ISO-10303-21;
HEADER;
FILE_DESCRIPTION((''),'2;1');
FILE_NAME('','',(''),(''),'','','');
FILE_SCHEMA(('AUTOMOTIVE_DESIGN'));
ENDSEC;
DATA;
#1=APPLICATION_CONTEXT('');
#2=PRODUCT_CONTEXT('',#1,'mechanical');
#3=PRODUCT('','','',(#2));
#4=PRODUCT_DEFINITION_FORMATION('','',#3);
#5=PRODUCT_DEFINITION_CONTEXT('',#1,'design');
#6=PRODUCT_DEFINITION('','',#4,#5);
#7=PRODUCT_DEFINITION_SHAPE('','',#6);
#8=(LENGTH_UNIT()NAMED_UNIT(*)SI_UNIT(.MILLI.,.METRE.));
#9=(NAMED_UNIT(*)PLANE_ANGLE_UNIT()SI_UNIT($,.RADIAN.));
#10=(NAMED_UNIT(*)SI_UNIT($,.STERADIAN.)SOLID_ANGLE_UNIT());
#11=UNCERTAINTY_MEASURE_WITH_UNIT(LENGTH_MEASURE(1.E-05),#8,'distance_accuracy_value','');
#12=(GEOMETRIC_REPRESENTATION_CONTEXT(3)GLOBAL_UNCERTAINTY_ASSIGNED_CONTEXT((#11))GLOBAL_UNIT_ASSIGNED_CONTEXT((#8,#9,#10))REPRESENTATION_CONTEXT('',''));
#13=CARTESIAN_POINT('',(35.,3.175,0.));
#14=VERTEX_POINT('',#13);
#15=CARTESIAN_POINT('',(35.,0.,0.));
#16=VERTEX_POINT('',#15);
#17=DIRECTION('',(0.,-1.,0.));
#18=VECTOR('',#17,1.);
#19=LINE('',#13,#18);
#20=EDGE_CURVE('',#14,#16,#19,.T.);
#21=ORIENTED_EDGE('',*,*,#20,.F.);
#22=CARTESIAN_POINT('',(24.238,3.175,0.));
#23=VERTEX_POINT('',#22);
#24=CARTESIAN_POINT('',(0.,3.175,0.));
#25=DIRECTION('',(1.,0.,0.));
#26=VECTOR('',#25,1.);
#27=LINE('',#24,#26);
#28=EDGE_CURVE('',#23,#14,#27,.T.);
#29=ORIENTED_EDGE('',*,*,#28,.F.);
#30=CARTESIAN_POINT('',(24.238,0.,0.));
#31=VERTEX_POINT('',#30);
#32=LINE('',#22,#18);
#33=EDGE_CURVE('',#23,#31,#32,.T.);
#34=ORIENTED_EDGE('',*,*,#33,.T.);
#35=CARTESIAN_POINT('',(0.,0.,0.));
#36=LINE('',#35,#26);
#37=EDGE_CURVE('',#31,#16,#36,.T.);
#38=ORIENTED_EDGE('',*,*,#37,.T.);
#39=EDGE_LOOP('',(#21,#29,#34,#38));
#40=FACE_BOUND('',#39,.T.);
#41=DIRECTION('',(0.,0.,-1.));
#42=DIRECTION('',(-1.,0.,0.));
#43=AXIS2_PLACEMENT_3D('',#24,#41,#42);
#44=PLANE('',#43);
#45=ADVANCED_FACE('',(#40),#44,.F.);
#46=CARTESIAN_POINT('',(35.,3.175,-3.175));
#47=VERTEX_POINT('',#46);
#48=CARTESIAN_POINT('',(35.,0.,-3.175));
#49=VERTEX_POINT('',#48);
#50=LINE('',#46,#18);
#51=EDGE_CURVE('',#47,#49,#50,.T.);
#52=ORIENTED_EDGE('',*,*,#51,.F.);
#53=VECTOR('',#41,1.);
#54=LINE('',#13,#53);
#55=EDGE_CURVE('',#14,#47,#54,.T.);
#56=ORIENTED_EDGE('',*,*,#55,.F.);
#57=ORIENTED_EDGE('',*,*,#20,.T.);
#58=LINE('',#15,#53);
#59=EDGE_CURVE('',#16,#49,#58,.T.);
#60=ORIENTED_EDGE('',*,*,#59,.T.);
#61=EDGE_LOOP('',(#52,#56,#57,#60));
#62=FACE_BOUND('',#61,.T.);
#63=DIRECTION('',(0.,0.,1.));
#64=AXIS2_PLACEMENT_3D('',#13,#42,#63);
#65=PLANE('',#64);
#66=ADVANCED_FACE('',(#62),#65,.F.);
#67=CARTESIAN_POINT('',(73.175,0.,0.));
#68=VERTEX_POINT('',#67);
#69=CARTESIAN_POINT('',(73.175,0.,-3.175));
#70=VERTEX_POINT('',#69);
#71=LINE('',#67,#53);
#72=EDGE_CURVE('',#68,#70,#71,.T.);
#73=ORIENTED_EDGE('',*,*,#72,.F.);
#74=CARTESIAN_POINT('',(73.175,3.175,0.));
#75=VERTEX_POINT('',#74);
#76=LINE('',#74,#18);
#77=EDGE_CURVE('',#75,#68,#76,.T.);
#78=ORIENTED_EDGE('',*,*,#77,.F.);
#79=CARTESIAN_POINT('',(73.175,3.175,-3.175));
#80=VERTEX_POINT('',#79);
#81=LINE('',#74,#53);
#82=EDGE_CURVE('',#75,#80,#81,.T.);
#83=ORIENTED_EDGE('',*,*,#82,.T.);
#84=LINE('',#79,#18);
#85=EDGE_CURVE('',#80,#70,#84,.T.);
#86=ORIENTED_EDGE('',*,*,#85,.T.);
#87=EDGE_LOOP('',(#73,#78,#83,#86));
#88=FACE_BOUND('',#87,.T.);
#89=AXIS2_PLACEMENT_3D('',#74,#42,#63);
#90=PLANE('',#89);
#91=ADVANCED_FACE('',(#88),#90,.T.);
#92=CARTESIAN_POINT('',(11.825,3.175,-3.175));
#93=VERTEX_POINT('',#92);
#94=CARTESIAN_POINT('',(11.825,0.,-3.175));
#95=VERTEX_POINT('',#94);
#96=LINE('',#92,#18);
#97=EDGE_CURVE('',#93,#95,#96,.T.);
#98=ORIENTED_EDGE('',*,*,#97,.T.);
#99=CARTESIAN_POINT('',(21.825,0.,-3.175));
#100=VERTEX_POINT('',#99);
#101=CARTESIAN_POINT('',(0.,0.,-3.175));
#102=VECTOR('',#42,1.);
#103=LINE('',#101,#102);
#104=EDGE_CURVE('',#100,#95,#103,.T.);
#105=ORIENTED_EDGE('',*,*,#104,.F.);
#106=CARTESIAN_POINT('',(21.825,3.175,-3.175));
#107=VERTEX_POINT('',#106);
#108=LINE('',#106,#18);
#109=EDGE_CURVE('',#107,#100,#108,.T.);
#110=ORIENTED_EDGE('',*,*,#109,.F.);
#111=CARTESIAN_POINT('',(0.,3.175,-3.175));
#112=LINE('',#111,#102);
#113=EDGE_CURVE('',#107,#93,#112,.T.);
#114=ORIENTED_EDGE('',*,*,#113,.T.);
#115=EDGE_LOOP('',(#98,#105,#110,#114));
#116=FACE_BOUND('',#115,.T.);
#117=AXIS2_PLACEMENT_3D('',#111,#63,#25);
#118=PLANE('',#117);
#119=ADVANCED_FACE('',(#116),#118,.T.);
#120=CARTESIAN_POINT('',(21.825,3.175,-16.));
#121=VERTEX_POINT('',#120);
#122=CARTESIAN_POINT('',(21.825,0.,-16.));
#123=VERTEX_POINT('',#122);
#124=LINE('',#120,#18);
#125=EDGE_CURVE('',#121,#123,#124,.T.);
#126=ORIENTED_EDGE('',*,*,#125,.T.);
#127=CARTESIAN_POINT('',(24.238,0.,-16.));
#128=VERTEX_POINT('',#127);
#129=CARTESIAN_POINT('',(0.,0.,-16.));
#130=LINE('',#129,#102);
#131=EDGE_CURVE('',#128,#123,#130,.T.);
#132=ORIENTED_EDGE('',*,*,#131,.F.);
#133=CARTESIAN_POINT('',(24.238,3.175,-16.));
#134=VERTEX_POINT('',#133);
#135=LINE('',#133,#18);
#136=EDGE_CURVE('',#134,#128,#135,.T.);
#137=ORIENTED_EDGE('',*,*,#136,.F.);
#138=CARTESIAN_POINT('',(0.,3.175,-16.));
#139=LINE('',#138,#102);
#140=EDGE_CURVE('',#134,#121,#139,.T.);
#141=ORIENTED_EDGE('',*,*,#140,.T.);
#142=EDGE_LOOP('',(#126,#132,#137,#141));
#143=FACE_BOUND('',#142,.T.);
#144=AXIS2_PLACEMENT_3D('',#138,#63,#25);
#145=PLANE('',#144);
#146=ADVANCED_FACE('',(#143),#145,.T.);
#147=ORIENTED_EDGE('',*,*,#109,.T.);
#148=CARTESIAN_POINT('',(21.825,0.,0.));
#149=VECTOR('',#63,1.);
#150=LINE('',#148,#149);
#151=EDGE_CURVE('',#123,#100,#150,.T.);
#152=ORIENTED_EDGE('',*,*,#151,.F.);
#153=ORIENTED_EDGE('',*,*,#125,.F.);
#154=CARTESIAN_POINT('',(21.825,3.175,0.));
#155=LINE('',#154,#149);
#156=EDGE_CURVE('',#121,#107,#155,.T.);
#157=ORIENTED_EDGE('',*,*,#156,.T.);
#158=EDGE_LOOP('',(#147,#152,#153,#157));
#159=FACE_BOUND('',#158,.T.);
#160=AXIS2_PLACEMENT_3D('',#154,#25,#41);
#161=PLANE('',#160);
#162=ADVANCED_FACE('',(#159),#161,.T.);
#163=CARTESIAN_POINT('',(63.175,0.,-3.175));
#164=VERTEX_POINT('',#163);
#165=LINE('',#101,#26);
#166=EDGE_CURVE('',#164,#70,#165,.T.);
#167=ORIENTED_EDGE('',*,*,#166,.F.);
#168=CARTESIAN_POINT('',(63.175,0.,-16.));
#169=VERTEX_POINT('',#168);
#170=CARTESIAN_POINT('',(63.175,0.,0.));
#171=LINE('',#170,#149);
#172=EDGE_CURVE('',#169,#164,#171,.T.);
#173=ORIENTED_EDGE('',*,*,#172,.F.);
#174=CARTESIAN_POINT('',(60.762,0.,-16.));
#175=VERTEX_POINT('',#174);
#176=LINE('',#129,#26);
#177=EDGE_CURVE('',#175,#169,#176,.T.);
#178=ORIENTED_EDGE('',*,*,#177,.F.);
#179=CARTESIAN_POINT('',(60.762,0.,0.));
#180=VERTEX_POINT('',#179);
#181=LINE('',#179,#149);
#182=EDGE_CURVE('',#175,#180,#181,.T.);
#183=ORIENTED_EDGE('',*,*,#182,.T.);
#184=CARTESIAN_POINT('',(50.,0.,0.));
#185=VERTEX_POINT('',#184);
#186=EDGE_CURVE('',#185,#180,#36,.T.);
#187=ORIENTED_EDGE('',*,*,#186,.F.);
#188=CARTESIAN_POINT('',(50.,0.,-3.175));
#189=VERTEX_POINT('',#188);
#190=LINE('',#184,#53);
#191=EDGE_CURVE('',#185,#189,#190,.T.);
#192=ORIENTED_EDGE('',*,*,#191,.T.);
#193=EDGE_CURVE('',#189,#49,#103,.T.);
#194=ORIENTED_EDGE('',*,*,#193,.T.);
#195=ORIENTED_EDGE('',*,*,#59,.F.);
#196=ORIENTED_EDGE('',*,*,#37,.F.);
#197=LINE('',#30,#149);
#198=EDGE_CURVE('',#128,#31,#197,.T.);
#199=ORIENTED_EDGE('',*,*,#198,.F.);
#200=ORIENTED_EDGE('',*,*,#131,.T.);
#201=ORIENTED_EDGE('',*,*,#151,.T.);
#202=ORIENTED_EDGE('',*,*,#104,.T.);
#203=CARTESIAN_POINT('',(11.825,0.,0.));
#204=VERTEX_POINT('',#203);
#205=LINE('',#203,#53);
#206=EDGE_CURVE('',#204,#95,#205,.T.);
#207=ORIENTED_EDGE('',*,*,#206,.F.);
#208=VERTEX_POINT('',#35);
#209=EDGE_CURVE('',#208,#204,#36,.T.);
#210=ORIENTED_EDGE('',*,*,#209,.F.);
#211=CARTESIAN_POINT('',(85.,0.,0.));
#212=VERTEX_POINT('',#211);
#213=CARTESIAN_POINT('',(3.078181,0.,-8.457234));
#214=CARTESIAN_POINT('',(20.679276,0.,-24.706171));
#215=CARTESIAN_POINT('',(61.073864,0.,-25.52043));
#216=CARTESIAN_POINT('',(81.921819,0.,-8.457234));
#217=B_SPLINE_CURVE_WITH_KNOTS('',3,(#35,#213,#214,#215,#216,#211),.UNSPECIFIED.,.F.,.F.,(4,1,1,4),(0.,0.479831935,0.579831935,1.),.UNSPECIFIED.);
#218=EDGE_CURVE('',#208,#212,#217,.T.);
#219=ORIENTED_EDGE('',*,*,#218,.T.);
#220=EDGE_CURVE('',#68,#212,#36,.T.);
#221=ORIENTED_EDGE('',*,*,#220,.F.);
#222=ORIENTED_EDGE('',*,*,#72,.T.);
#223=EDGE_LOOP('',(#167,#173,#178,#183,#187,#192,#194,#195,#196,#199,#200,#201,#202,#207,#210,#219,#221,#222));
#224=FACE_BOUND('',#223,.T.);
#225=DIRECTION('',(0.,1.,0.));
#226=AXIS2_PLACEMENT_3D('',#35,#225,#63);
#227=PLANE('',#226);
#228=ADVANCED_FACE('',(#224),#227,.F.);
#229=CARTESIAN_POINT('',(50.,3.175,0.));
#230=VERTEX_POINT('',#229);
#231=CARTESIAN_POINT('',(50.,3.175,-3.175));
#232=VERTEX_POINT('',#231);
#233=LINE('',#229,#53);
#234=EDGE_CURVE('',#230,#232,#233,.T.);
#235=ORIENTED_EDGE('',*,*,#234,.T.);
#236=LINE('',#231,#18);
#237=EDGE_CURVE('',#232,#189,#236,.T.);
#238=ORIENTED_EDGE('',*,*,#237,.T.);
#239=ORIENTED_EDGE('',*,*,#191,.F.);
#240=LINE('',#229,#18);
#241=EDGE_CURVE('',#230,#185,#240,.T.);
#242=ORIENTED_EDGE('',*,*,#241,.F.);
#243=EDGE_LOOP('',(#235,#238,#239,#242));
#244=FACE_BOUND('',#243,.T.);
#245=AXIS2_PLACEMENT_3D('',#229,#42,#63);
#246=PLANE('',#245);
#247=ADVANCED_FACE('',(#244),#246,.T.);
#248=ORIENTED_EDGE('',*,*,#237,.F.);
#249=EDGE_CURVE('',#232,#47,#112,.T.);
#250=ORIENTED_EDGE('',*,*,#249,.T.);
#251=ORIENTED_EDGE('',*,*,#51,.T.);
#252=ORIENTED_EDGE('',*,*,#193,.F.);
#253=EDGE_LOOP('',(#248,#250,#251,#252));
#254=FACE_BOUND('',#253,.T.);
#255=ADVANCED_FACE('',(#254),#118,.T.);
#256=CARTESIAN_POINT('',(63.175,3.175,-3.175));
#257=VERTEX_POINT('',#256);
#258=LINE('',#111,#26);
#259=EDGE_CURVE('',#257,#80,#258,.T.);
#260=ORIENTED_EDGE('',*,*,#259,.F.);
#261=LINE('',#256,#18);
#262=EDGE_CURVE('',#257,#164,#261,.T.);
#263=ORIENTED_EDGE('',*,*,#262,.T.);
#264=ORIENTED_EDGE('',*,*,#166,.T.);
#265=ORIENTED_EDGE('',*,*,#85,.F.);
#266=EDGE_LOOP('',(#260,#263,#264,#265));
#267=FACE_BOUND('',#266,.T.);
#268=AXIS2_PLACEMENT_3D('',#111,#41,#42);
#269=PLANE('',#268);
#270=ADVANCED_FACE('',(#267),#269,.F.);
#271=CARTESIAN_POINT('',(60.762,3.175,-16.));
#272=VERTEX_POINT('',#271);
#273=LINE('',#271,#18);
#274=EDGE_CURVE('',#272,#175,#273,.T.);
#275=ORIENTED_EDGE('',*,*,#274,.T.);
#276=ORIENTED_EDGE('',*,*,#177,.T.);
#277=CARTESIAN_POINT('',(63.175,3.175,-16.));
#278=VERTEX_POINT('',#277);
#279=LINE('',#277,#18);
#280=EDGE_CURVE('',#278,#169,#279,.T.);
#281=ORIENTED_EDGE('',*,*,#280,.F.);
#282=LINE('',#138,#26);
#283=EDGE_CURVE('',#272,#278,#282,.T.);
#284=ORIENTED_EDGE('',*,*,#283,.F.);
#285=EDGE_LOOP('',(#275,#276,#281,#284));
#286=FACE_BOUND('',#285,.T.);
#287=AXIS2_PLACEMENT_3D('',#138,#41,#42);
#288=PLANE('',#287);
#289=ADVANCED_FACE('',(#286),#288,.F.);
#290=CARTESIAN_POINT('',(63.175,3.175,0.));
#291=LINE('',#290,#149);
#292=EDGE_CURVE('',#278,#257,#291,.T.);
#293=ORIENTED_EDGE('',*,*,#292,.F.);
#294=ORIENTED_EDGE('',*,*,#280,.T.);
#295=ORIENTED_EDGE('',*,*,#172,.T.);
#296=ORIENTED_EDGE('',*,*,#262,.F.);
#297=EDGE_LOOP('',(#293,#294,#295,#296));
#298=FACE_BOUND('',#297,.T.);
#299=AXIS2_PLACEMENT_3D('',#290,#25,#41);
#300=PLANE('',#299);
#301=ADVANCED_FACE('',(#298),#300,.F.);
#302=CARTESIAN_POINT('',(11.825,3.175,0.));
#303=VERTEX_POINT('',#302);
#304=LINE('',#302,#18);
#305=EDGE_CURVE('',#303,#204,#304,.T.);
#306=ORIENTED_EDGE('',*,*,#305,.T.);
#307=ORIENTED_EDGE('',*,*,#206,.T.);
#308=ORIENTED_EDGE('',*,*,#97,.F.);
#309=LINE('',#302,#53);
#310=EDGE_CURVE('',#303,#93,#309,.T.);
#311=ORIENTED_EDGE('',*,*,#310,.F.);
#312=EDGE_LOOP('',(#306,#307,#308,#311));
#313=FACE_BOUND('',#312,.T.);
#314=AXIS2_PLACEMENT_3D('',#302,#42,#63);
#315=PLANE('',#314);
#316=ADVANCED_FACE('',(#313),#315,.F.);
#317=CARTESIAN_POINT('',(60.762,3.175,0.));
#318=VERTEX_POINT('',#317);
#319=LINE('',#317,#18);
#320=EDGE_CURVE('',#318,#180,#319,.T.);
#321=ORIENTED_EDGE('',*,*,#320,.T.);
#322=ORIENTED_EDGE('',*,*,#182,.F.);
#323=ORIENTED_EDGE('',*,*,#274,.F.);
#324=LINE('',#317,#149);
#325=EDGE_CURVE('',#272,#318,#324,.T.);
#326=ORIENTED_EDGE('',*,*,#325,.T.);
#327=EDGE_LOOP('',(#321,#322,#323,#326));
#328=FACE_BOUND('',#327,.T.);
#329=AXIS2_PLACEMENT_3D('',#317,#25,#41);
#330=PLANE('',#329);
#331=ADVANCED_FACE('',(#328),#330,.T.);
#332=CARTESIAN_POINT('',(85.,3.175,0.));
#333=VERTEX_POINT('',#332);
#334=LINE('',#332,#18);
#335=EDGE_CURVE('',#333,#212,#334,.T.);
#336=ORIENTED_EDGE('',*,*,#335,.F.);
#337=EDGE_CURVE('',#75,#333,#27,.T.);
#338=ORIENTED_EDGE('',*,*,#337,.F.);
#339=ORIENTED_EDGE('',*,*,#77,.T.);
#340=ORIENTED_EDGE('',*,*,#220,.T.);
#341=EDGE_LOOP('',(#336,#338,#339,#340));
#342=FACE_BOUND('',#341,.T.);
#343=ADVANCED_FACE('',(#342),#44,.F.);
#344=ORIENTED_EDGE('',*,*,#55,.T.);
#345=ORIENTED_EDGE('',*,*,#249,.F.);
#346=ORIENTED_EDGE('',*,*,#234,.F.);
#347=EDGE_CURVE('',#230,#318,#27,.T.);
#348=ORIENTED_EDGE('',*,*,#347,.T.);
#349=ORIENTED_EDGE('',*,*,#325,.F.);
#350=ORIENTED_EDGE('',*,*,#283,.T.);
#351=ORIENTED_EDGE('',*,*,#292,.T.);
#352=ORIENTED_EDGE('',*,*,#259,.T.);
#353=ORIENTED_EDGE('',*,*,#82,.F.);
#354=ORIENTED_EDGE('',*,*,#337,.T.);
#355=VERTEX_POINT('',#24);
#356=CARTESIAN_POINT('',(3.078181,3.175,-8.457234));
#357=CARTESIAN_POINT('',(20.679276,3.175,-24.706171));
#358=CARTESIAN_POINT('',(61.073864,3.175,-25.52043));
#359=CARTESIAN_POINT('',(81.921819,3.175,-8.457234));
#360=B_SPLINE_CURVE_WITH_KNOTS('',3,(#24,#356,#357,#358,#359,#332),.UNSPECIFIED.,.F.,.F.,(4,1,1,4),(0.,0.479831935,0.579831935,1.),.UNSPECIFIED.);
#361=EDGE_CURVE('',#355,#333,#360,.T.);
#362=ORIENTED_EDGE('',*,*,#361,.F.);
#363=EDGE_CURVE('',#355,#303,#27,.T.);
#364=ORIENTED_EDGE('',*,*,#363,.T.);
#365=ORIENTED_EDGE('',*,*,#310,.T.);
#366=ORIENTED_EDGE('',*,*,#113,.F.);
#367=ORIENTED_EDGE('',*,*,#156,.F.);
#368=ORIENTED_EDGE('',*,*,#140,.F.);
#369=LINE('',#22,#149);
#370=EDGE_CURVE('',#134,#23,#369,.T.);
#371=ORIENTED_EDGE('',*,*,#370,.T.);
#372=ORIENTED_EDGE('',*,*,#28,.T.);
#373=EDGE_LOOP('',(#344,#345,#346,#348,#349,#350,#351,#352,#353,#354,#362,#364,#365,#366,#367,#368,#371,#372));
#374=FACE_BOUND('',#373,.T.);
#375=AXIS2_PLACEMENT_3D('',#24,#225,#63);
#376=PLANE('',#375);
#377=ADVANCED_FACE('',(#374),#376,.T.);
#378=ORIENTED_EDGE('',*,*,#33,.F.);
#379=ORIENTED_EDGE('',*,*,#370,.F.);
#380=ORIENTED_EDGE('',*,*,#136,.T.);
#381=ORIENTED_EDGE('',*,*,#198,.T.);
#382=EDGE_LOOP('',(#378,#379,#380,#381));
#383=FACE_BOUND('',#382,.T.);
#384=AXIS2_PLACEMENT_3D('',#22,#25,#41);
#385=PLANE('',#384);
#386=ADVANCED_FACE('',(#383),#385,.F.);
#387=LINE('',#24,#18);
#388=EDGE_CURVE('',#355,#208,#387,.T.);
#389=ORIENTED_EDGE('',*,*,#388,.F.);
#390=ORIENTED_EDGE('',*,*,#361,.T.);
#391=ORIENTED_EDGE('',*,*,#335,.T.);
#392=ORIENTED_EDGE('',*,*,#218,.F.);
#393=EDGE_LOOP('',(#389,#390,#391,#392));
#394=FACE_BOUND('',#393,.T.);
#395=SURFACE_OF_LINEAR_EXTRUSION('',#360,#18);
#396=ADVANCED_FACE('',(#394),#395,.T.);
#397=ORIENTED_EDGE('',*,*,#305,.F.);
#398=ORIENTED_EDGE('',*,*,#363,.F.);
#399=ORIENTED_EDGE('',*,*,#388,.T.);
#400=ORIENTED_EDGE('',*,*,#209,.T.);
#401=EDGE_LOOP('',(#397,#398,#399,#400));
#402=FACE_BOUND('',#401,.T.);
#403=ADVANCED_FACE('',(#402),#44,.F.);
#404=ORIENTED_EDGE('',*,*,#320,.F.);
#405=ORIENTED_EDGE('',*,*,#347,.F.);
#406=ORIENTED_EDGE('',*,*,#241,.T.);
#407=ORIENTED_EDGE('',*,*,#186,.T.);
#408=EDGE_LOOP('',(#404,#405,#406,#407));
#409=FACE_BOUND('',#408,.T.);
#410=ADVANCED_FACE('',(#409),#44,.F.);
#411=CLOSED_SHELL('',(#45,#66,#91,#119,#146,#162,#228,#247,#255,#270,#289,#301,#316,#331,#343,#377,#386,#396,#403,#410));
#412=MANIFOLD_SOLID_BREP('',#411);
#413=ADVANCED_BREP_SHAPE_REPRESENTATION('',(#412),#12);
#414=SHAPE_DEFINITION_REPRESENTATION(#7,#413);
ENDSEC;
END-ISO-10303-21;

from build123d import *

# Parameters (mm, degrees)
BOSS_EXTRUDE1_DEPTH = 3.175
SKETCH2_W           = 10
SKETCH2_H           = 3.175
SKETCH2_W_2         = 15
CUT_EXTRUDE1_DEPTH  = 4.1750001


with BuildPart() as part:
    # Sketch1 → Boss-Extrude1 (new body)
    with BuildSketch(Plane(origin=(0, 0, 0), x_dir=(1, 0, 0), z_dir=(0, 1, 0))):
        with BuildLine():
            add(Edge.make_bspline(
                [(0, 0), (3.07818129, 8.457233587), (19.262118608, 23.397882677), (40.36741362, 25), (42.5, 25)],
                knots=[0, 0, 0, 0, 0.479831935, 0.533146595, 0.533146595, 0.533146595, 0.533146595], degree=3))
            Line((0, 0), (42.5, 0))
            Line((42.5, 0), (42.5, 25))
        make_face()
        with BuildLine():
            Line((42.5, 25), (42.5, 0))
            Line((42.5, 0), (85, 0))
            add(Edge.make_bspline(
                [(42.5, 25), (44.36741362, 25), (63.21067639, 23.77153695), (81.92181871, 8.457233587), (85, 0)],
                knots=[0.533146595, 0.533146595, 0.533146595, 0.533146595, 0.579831935, 1, 1, 1, 1], degree=3))
        make_face()
    extrude(amount=BOSS_EXTRUDE1_DEPTH)

    # Sketch2 → Cut-Extrude1 (cut, through all)
    with BuildSketch(Plane.XZ):
        with Locations((68.175, -1.5875)):
            Rectangle(SKETCH2_W, SKETCH2_H)
        Polygon((60.762, 0), (60.762, -16), (63.175, -16), (63.175, -3.175), (63.175, 0), align=None)
        with Locations((42.5, -1.5875)):
            Rectangle(SKETCH2_W_2, SKETCH2_H)
        Polygon((24.238, -16), (24.238, 0), (21.825, 0), (21.825, -3.175), (21.825, -16), align=None)
        with Locations((16.825, -1.5875)):
            Rectangle(SKETCH2_W, SKETCH2_H)
    extrude(amount=-CUT_EXTRUDE1_DEPTH, mode=Mode.SUBTRACT)


solid = part.part
